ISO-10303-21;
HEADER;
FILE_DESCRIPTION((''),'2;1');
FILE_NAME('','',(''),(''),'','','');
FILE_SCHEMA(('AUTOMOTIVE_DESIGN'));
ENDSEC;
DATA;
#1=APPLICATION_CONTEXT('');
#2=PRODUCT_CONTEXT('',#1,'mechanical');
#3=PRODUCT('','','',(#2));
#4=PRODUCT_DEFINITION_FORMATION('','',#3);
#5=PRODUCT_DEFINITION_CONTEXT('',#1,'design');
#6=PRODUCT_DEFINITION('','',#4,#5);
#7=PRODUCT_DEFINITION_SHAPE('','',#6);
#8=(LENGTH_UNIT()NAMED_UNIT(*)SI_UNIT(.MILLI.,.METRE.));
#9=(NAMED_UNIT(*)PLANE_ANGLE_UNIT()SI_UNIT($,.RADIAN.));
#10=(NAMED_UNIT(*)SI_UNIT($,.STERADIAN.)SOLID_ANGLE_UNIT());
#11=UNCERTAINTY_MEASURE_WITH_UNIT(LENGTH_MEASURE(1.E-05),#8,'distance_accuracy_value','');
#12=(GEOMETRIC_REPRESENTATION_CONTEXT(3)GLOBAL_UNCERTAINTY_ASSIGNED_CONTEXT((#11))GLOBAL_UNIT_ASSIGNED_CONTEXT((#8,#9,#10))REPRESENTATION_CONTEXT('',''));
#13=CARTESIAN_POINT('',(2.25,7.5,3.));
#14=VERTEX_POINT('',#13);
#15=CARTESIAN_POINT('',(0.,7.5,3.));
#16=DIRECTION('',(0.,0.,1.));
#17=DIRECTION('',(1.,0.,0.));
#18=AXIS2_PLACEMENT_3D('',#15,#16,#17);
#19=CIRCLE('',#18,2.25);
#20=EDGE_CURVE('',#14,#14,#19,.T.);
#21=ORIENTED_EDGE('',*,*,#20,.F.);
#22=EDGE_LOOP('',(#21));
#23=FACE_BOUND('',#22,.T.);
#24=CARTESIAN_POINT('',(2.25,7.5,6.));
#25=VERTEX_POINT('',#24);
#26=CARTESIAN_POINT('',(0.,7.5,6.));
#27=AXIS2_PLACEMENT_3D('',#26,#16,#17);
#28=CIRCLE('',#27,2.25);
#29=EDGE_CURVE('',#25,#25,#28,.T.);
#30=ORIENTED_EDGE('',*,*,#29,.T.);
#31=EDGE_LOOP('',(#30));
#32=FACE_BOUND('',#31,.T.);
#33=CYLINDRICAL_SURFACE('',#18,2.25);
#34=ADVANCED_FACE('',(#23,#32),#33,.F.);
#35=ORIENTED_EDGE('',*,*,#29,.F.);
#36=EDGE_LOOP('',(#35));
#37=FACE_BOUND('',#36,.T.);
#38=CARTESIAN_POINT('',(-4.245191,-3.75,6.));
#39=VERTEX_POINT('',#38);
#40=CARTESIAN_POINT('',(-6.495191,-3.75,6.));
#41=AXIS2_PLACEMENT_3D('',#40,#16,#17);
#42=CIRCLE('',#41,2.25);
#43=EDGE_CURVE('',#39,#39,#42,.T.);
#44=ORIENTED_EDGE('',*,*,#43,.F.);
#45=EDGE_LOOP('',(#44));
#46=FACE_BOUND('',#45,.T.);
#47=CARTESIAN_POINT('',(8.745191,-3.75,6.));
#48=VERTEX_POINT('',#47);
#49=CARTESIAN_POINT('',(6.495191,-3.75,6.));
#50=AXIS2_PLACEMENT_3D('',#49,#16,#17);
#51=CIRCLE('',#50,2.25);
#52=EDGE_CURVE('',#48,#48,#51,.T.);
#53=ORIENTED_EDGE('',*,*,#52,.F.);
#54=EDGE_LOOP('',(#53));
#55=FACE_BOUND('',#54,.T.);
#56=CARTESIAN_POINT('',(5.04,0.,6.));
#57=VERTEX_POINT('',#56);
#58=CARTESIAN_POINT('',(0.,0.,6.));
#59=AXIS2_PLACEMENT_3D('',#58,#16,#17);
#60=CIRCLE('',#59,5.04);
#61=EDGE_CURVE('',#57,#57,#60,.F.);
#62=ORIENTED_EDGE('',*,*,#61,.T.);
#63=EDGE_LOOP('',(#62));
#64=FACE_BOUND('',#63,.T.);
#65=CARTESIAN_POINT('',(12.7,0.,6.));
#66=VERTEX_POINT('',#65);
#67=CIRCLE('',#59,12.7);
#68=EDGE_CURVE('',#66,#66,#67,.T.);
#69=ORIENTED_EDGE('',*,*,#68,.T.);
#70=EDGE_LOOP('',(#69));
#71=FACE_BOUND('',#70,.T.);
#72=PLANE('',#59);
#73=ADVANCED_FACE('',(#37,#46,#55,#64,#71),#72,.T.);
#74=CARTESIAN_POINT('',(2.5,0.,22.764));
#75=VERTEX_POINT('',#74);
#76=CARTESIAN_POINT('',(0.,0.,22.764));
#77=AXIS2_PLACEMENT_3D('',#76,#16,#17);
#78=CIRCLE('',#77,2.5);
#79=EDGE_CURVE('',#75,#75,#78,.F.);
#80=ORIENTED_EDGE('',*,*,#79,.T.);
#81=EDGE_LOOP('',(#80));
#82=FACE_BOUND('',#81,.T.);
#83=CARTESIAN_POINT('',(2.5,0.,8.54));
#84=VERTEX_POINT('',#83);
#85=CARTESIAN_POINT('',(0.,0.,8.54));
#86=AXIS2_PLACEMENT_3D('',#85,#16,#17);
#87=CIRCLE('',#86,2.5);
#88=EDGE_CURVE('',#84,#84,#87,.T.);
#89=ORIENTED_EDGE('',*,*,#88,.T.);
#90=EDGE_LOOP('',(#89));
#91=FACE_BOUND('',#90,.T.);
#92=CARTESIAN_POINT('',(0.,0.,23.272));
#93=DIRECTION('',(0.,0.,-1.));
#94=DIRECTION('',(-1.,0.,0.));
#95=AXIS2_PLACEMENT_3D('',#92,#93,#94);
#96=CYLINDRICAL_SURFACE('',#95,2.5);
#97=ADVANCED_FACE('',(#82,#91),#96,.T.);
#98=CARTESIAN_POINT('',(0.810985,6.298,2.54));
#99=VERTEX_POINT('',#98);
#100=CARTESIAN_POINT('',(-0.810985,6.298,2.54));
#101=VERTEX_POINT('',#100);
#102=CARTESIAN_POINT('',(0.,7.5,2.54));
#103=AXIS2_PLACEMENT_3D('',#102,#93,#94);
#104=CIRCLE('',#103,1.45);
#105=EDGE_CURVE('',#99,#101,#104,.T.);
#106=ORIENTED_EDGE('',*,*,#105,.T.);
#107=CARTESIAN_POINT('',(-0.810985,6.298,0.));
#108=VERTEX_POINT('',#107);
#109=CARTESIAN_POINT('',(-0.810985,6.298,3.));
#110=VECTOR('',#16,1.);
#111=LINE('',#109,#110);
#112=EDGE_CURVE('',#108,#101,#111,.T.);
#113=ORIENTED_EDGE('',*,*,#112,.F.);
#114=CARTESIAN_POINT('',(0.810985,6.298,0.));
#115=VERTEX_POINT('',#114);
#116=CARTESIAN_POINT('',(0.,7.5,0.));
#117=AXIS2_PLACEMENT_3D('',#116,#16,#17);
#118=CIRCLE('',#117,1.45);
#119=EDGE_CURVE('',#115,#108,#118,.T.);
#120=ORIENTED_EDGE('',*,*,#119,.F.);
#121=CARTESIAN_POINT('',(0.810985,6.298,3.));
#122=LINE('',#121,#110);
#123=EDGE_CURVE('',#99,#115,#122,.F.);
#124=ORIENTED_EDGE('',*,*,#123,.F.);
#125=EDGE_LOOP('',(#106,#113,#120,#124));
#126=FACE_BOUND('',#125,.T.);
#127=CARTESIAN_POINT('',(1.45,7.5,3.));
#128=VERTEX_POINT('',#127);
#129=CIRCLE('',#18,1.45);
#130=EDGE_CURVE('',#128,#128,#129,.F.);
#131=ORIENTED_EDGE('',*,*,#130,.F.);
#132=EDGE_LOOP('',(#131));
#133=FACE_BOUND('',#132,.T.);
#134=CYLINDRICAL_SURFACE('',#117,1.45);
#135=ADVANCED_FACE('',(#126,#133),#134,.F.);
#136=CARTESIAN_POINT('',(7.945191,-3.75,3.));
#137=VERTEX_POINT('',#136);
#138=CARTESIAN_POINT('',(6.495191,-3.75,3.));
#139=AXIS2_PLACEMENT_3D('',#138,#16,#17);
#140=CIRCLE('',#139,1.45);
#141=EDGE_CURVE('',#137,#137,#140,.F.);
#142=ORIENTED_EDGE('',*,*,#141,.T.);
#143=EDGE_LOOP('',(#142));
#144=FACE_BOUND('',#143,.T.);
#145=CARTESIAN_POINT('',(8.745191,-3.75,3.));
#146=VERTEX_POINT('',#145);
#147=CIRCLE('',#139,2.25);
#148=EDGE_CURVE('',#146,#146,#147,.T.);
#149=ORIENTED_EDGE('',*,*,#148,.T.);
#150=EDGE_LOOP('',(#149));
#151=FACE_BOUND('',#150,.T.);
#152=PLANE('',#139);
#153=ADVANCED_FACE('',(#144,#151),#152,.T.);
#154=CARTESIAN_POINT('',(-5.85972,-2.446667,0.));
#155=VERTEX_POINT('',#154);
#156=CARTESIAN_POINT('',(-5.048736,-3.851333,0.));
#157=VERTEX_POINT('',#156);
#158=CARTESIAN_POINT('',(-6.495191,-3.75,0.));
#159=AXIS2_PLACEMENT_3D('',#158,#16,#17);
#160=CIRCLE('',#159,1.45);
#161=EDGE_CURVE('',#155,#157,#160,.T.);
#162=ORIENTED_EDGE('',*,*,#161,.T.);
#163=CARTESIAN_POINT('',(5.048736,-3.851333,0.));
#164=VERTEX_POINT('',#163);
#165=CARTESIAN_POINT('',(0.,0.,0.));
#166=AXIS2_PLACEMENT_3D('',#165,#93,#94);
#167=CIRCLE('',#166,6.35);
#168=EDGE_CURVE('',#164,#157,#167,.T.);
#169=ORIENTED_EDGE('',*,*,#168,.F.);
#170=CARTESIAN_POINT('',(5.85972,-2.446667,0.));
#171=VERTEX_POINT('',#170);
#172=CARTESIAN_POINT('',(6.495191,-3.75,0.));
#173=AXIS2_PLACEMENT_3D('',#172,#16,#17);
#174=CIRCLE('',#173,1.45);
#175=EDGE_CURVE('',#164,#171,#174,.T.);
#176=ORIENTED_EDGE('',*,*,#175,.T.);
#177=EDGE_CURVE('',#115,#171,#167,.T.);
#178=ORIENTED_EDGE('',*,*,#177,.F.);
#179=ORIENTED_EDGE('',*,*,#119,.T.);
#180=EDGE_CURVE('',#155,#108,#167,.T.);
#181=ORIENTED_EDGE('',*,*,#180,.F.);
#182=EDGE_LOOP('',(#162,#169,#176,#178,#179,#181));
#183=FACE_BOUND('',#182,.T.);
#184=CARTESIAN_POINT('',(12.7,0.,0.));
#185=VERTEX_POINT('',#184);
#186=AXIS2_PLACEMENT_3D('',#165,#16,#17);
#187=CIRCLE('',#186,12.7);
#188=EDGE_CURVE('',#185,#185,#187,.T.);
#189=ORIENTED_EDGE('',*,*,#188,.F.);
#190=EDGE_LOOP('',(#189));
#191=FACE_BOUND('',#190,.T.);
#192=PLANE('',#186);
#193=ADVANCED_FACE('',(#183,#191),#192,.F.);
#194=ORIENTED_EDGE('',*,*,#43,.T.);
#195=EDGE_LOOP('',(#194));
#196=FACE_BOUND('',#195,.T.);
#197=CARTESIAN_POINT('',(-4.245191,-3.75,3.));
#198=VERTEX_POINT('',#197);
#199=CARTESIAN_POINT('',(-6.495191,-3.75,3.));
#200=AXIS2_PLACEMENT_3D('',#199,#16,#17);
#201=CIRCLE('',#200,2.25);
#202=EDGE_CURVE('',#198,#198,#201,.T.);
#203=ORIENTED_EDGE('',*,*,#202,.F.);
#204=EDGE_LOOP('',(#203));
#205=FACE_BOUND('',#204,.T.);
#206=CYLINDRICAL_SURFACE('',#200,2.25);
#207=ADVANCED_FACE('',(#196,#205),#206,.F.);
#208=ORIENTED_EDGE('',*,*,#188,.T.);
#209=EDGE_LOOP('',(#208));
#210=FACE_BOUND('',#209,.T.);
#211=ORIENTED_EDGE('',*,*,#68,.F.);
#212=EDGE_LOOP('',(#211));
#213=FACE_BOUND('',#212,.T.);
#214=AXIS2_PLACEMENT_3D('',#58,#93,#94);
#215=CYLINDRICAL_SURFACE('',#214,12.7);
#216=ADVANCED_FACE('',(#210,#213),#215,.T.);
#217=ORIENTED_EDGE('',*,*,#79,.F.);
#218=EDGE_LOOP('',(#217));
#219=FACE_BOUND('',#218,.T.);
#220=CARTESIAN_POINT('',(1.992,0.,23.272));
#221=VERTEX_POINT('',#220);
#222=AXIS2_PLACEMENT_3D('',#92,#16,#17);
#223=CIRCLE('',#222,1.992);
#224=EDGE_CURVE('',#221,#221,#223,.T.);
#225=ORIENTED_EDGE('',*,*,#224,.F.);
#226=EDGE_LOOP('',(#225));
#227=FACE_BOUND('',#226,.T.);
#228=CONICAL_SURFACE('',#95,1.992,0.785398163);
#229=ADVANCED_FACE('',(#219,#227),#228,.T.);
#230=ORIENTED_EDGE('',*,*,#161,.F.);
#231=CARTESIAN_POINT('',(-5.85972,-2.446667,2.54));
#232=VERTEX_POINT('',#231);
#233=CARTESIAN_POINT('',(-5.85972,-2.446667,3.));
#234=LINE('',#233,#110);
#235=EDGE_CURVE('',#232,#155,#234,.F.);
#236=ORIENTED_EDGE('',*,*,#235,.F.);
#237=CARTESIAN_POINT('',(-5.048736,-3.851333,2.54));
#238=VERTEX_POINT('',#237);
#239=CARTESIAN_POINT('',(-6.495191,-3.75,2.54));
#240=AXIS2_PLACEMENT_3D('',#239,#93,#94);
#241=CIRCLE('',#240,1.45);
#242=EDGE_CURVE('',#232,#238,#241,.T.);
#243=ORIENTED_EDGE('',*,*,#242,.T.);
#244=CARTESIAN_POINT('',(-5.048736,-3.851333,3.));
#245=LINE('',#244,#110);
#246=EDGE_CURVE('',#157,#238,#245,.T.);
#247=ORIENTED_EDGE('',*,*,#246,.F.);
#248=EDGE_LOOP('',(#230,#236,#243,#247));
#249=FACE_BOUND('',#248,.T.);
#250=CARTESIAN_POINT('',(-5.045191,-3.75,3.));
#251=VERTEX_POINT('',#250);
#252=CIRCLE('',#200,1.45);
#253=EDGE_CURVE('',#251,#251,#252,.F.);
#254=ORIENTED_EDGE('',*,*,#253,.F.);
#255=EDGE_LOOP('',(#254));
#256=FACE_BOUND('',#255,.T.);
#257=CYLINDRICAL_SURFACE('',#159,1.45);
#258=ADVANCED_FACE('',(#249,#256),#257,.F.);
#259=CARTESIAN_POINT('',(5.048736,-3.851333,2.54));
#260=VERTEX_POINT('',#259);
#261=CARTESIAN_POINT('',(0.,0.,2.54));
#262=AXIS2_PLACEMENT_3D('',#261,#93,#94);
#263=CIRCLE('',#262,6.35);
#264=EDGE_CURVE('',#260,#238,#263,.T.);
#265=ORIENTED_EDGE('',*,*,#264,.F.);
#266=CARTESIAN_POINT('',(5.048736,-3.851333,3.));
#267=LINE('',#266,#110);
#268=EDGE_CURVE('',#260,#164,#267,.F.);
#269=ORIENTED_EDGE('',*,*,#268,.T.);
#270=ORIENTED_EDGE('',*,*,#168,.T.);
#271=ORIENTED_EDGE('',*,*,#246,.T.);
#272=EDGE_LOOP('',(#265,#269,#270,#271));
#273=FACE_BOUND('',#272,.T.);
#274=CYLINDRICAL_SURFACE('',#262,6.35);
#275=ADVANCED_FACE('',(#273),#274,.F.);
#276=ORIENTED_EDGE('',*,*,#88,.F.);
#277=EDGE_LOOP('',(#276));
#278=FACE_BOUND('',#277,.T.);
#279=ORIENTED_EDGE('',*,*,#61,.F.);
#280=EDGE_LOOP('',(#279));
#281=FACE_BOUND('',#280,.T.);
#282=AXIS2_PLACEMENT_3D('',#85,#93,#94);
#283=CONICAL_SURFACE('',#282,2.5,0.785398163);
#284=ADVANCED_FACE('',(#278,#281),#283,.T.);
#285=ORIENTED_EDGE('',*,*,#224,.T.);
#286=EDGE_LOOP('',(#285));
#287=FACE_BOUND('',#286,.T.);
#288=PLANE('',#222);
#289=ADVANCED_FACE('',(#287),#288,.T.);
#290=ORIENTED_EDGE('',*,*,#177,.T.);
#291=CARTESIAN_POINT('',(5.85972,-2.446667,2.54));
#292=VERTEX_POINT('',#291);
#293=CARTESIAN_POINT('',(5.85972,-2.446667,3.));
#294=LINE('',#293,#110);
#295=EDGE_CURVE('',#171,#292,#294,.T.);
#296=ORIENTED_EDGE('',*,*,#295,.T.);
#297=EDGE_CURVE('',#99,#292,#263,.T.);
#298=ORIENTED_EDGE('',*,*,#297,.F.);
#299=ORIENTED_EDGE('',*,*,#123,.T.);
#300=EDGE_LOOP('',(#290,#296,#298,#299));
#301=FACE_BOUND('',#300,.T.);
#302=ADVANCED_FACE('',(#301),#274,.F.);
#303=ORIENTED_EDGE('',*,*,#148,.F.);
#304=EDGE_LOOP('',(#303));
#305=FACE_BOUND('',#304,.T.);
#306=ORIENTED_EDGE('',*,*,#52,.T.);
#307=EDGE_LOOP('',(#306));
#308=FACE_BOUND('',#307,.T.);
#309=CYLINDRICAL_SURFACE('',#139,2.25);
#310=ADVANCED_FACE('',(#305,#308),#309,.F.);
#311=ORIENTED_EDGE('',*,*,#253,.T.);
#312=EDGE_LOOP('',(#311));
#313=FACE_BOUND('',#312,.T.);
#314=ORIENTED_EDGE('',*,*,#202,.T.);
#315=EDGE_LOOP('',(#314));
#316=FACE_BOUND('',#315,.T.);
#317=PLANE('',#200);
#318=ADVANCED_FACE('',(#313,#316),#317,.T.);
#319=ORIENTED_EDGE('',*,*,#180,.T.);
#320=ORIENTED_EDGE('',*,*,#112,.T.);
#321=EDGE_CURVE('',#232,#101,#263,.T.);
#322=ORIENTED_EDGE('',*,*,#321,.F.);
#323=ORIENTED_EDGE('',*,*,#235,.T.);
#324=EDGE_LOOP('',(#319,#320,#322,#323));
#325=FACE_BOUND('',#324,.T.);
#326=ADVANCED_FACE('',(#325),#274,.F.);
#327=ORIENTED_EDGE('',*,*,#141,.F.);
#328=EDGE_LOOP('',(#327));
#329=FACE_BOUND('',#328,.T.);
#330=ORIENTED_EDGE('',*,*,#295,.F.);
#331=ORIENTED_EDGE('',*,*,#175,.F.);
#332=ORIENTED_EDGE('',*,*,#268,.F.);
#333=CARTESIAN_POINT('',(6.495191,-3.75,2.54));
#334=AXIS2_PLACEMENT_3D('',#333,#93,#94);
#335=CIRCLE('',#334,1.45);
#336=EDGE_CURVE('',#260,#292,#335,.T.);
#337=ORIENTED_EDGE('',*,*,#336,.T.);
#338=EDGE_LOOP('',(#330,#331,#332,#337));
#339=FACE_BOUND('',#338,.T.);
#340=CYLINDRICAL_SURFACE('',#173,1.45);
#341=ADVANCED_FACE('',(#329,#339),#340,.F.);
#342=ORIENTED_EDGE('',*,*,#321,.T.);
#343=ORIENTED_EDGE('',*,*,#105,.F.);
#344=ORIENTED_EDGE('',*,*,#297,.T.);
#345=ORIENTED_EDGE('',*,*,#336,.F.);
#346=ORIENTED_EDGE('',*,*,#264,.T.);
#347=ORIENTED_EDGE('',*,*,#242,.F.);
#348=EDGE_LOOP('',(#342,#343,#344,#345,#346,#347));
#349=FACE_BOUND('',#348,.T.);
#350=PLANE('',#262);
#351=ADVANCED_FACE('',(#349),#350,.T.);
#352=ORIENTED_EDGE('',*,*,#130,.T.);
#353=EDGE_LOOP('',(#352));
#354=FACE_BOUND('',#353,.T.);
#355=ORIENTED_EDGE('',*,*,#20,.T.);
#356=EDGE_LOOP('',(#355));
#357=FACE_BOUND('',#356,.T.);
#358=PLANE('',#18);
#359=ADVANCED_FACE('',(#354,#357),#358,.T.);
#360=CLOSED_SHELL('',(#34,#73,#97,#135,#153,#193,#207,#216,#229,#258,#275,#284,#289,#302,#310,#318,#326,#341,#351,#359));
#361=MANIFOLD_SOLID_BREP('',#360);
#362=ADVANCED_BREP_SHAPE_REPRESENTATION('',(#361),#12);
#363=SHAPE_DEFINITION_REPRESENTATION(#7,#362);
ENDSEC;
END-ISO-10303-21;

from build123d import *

# Parameters (mm, degrees)
SKETCH1_R                    = 12.7
MOUNTING_FLANGE_DEPTH        = 6
SKETCH3_R                    = 6.35
MOTOR_SHAFT_RELIEF_DEPTH     = 2.54
SKETCH4_R                    = 1.45
SCREW_CLEARANCE_HOLES_DEPTH  = 19.936208702
SKETCH6_R                    = 2.25
SCREW_HEAD_COUNTERBORE_DEPTH = 3
SKETCH2_R                    = 2.5
BOSS_EXTRUDE1_DEPTH          = 17.272
CHAMFER1_SIZE                = 0.508
CHAMFER2_SIZE                = 2.54


with BuildPart() as part:
    # Sketch1 → Mounting Flange (new body)
    with BuildSketch(Plane.XY):
        Circle(SKETCH1_R)
    extrude(amount=MOUNTING_FLANGE_DEPTH)

    # Sketch3 → Motor Shaft Relief (cut)
    with BuildSketch(Plane(origin=(0, 0, 0), x_dir=(-1, 0, 0), z_dir=(0, 0, -1))):
        Circle(SKETCH3_R)
    extrude(amount=-MOTOR_SHAFT_RELIEF_DEPTH, mode=Mode.SUBTRACT)

    # Sketch4 → Screw Clearance Holes (cut, through all)
    with BuildSketch(Plane.XY.offset(6)):
        with Locations((0, 7.5)):
            Circle(SKETCH4_R)
        with Locations((6.495190528, -3.75)):
            Circle(SKETCH4_R)
        with Locations((-6.495190528, -3.75)):
            Circle(SKETCH4_R)
    extrude(amount=-SCREW_CLEARANCE_HOLES_DEPTH, mode=Mode.SUBTRACT)

    # Sketch6 → Screw Head Counterbore (cut)
    with BuildSketch(Plane.XY.offset(6)):
        with Locations((0, 7.5)):
            Circle(SKETCH6_R)
        with Locations((-6.495190528, -3.75)):
            Circle(SKETCH6_R)
        with Locations((6.495190528, -3.75)):
            Circle(SKETCH6_R)
    extrude(amount=-SCREW_HEAD_COUNTERBORE_DEPTH, mode=Mode.SUBTRACT)

    # Sketch2 → Boss-Extrude1 (add)
    with BuildSketch(Plane.XY.offset(6)):
        Circle(SKETCH2_R)
    extrude(amount=BOSS_EXTRUDE1_DEPTH)

    # Chamfer1
    chamfer1_edges = [part.edges().sort_by_distance(p)[0] for p in [
        (-2.5, 0, 23.272),
    ]]
    chamfer(chamfer1_edges, length=CHAMFER1_SIZE)

    # Chamfer2
    chamfer2_edges = [part.edges().sort_by_distance(p)[0] for p in [
        (-2.5, 0, 6),
    ]]
    chamfer(chamfer2_edges, length=CHAMFER2_SIZE)


solid = part.part
